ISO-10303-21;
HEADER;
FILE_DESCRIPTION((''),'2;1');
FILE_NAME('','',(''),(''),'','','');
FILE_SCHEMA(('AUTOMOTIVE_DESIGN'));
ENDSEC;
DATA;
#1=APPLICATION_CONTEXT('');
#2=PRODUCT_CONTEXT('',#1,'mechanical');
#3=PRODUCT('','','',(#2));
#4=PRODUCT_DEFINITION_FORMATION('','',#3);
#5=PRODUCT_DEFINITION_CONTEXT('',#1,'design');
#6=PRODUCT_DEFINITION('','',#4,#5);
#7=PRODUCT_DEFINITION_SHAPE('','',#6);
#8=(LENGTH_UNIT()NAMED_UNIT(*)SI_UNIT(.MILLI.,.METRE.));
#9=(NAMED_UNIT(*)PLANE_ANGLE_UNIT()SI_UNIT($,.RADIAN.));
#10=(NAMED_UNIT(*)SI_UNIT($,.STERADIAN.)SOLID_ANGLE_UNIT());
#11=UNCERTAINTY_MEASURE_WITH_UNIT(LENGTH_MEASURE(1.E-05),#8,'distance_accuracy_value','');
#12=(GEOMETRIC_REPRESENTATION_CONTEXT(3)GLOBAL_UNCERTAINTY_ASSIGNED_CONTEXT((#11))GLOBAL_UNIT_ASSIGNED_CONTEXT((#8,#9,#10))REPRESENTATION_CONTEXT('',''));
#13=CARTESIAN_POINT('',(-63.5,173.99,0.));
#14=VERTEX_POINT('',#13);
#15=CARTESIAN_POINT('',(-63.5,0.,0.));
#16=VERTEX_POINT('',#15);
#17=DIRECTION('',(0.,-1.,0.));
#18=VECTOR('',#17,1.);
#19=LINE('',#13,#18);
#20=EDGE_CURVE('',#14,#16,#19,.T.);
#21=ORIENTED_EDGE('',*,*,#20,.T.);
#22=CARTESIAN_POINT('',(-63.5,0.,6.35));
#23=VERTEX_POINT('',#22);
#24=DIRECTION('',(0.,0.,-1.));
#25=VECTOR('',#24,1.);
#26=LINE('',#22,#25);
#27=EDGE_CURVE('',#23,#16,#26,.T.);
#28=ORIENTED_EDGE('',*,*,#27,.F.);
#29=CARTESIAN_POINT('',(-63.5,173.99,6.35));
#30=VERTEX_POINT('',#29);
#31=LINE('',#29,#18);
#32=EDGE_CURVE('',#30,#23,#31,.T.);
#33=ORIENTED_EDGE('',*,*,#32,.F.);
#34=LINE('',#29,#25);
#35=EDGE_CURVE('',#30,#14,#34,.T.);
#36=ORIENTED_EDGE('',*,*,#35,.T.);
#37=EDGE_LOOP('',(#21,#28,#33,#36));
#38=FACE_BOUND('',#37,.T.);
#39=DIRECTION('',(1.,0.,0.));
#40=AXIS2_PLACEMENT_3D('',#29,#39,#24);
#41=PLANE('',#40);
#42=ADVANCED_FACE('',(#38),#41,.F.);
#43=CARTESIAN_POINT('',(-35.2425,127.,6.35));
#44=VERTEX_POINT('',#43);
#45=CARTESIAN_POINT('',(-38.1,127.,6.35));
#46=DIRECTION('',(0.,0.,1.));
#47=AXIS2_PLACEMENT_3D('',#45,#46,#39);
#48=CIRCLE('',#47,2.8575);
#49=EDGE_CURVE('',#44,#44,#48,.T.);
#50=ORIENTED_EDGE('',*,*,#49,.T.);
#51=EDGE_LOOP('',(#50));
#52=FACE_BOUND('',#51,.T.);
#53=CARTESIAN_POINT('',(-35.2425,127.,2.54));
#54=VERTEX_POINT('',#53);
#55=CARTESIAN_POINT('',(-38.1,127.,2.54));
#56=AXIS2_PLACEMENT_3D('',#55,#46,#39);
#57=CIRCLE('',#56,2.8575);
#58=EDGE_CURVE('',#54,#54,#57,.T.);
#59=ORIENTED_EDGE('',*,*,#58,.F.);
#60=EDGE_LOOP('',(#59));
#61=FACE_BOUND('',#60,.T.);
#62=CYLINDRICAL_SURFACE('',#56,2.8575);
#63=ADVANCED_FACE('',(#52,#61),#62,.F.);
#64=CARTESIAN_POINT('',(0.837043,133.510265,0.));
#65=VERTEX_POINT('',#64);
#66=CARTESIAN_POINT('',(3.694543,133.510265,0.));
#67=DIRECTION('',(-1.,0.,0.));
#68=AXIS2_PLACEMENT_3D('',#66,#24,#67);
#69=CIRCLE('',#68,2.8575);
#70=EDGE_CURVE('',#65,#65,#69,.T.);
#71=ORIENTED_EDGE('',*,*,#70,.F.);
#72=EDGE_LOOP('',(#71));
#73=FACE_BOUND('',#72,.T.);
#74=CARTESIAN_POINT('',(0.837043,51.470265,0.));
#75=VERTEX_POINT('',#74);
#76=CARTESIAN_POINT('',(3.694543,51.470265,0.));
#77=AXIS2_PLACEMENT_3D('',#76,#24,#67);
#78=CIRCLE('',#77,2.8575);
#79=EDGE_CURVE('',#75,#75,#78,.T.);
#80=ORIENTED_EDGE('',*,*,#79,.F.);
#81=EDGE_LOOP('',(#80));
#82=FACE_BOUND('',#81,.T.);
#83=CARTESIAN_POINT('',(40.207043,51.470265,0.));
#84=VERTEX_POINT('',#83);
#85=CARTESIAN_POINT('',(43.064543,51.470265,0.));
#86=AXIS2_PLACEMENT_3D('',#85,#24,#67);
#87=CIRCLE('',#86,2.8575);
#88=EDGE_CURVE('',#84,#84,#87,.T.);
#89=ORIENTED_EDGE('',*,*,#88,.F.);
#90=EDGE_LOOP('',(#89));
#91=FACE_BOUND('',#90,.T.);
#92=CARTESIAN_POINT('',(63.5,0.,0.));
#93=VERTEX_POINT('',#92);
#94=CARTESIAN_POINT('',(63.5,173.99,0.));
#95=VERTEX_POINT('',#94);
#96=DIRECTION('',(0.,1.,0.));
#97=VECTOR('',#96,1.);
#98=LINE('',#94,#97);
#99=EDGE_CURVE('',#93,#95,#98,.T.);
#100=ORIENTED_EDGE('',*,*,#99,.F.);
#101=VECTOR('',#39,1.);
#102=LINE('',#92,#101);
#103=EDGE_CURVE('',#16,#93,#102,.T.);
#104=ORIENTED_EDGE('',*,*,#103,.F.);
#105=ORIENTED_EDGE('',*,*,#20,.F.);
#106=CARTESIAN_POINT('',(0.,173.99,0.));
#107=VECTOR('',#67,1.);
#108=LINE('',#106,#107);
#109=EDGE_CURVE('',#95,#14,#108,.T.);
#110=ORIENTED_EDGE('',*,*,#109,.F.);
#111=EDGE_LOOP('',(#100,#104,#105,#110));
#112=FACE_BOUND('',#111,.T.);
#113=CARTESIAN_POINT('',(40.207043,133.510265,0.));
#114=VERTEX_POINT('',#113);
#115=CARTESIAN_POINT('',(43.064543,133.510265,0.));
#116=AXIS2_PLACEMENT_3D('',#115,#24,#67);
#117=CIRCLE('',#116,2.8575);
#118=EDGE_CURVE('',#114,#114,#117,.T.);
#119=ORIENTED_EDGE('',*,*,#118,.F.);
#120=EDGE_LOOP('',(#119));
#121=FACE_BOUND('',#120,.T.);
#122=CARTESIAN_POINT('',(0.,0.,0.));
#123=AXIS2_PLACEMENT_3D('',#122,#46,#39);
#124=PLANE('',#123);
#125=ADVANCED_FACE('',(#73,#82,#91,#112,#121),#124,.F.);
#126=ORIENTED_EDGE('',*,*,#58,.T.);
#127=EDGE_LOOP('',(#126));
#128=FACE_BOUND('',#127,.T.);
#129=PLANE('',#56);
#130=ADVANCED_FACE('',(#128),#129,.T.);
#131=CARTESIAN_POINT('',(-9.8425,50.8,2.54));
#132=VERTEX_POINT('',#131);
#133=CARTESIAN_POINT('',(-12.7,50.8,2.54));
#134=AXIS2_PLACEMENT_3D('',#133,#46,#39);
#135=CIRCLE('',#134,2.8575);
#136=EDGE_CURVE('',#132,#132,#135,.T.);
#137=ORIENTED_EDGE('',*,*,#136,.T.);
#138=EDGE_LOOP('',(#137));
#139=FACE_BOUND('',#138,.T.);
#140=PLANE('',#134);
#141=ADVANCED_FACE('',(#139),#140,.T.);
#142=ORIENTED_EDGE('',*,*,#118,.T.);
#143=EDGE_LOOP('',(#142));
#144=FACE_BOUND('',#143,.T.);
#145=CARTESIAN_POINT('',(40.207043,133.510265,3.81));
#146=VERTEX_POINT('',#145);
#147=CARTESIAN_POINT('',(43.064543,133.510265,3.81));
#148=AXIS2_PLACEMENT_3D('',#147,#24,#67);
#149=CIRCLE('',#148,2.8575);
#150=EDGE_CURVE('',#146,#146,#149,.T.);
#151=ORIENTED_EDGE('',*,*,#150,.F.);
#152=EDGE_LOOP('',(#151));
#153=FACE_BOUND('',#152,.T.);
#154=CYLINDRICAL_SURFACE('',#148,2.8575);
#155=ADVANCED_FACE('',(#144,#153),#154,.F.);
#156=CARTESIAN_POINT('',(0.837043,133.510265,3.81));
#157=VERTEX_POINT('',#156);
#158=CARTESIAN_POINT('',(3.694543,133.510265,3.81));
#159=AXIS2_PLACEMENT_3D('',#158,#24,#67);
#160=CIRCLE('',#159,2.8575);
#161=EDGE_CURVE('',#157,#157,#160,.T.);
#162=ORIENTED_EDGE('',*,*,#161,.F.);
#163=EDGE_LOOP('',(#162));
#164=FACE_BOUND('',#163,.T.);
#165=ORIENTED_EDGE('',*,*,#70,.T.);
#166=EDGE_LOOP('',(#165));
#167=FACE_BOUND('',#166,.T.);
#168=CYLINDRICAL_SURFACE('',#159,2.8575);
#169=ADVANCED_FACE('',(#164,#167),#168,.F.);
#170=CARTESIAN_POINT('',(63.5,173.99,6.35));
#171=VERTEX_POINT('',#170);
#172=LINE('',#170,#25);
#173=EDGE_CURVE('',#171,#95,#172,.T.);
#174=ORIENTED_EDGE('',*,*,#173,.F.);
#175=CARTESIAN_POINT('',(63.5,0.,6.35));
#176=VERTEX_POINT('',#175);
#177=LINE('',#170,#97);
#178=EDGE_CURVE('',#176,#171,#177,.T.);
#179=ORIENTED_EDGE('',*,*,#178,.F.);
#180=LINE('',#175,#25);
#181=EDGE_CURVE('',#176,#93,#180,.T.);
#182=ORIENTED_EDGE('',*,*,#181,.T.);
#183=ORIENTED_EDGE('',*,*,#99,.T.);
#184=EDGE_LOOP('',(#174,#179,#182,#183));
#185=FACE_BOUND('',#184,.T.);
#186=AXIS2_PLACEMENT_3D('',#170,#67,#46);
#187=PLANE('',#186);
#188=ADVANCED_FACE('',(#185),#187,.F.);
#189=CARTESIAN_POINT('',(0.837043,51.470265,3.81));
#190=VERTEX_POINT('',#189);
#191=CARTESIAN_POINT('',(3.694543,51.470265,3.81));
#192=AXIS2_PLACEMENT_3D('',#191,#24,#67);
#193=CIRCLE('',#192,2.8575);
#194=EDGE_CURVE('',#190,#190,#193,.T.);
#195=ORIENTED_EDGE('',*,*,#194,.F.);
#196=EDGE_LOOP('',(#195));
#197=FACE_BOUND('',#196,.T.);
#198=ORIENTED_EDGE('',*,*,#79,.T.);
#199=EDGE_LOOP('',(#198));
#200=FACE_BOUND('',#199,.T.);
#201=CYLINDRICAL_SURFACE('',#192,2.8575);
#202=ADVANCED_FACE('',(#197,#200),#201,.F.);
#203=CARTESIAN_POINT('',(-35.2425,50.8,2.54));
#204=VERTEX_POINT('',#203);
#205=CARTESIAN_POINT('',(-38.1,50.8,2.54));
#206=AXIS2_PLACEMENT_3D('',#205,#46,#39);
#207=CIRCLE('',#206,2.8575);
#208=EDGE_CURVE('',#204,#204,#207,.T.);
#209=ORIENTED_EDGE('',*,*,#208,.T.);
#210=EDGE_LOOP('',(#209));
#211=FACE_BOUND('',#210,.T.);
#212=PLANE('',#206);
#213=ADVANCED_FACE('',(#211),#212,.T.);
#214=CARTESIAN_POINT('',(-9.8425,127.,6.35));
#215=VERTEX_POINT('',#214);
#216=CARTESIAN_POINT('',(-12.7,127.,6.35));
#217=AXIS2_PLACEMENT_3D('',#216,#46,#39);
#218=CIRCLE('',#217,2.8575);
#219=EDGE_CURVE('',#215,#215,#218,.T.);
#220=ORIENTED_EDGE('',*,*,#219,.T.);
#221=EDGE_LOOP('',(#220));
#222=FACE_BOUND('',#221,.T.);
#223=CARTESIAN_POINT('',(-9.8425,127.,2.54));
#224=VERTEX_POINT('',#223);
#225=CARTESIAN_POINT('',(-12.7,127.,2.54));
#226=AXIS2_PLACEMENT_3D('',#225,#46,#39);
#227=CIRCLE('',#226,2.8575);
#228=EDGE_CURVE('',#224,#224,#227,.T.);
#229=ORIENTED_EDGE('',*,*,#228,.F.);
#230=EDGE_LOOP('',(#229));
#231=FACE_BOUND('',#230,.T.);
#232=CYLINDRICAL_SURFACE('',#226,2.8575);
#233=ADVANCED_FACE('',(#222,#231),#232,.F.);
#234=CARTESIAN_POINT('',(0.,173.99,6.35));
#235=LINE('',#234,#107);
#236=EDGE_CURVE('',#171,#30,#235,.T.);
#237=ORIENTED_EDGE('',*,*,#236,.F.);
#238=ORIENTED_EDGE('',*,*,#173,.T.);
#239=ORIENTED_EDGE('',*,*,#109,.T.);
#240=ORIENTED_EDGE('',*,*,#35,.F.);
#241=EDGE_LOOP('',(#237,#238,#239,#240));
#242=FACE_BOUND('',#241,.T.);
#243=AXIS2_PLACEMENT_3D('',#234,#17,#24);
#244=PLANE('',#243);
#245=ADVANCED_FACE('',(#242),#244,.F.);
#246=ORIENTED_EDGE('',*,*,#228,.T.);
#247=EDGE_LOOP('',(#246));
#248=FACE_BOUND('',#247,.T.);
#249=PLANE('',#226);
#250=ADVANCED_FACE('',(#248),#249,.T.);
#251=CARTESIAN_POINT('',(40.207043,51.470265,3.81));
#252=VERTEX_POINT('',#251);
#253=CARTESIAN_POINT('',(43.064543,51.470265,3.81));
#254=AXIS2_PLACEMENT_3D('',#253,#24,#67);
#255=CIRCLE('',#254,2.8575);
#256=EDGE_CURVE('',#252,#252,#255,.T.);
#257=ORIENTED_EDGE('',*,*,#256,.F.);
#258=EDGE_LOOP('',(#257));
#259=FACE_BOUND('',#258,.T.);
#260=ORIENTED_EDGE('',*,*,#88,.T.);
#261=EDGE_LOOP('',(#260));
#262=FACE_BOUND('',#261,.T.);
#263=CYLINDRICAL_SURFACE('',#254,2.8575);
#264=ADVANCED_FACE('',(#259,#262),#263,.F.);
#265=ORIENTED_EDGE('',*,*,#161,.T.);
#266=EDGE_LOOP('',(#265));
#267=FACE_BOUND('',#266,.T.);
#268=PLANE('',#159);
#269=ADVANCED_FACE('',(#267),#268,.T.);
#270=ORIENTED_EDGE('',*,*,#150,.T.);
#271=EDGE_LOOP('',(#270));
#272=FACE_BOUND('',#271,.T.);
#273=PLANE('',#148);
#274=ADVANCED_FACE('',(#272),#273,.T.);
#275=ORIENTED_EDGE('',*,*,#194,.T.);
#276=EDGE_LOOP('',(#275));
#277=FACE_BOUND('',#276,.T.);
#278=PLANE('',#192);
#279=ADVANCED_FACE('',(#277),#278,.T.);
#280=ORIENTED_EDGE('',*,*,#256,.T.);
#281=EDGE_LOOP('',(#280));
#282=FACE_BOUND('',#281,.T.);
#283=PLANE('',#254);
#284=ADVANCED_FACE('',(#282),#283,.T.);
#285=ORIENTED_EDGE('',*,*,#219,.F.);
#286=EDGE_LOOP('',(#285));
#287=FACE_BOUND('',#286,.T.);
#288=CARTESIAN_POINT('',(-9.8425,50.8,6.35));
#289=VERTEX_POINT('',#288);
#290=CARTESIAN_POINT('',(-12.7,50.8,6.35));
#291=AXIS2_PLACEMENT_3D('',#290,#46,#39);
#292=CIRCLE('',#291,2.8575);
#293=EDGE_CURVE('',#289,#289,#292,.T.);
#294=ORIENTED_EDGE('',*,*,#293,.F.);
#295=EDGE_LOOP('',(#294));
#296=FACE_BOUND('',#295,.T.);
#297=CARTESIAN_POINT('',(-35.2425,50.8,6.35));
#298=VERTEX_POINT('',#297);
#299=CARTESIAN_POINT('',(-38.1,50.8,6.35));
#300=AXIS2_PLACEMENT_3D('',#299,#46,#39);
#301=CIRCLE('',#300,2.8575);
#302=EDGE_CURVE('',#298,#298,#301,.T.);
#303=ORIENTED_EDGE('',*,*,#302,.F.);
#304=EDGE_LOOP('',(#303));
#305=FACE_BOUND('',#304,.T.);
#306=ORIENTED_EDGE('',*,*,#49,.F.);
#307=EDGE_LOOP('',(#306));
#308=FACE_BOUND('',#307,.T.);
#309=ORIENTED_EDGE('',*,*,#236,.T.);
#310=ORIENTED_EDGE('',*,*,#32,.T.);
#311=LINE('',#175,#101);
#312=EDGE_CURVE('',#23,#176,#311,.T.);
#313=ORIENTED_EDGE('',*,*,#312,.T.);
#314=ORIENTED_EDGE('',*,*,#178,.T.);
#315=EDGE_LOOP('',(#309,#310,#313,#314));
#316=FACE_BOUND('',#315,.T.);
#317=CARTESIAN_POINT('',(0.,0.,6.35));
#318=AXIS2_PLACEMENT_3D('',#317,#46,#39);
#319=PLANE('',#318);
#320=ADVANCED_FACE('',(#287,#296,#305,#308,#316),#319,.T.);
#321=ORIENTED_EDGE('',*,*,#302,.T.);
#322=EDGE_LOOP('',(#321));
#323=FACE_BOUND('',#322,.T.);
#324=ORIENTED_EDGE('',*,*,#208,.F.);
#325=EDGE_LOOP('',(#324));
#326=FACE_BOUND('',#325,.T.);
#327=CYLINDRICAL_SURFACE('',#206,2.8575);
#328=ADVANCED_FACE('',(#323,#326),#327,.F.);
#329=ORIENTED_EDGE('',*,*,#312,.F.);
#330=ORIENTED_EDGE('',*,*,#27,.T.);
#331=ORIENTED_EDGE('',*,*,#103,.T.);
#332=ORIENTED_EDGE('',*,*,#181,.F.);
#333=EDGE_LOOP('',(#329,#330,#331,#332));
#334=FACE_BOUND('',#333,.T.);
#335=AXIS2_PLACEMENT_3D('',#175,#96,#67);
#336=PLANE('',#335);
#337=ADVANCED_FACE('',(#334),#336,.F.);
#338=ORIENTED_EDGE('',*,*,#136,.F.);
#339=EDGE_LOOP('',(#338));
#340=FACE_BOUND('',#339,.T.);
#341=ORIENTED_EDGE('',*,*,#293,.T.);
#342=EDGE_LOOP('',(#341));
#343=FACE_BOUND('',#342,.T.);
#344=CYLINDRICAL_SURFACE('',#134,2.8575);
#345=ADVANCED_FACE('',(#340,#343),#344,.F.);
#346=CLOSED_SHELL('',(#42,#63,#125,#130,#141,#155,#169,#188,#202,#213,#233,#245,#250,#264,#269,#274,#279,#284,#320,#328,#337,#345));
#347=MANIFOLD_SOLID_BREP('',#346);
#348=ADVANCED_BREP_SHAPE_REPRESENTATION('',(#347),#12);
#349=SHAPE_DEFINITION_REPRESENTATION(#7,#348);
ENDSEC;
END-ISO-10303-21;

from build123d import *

# Parameters (mm, degrees)
BOSS_EXTRUDE1_DEPTH = 6.35
SKETCH3_R           = 2.8575
CUT_EXTRUDE1_DEPTH  = 3.81
SKETCH2_R           = 2.8575
CUT_EXTRUDE2_DEPTH  = 3.81


with BuildPart() as part:
    # Sketch1 → Boss-Extrude1 (new body)
    with BuildSketch(Plane.XY):
        Polygon((0, 173.99), (63.5, 173.99), (63.5, 0), (-63.5, 0), (-63.5, 173.99), align=None)
    extrude(amount=BOSS_EXTRUDE1_DEPTH)

    # Sketch3 → Cut-Extrude1 (cut)
    with BuildSketch(Plane.XY.offset(6.35)):
        with Locations((-38.1, 127)):
            Circle(SKETCH3_R)
        with Locations((-12.7, 127)):
            Circle(SKETCH3_R)
        with Locations((-38.1, 50.8)):
            Circle(SKETCH3_R)
        with Locations((-12.7, 50.8)):
            Circle(SKETCH3_R)
    extrude(amount=-CUT_EXTRUDE1_DEPTH, mode=Mode.SUBTRACT)

    # Sketch2 → Cut-Extrude2 (cut)
    with BuildSketch(Plane(origin=(0, 0, 0), x_dir=(-1, 0, 0), z_dir=(0, 0, -1))):
        with Locations((-43.064543118, 133.510265263)):
            Circle(SKETCH2_R)
        with Locations((-3.694543118, 133.510265263)):
            Circle(SKETCH2_R)
        with Locations((-43.064543118, 51.470265263)):
            Circle(SKETCH2_R)
        with Locations((-3.694543118, 51.470265263)):
            Circle(SKETCH2_R)
    extrude(amount=-CUT_EXTRUDE2_DEPTH, mode=Mode.SUBTRACT)


solid = part.part
